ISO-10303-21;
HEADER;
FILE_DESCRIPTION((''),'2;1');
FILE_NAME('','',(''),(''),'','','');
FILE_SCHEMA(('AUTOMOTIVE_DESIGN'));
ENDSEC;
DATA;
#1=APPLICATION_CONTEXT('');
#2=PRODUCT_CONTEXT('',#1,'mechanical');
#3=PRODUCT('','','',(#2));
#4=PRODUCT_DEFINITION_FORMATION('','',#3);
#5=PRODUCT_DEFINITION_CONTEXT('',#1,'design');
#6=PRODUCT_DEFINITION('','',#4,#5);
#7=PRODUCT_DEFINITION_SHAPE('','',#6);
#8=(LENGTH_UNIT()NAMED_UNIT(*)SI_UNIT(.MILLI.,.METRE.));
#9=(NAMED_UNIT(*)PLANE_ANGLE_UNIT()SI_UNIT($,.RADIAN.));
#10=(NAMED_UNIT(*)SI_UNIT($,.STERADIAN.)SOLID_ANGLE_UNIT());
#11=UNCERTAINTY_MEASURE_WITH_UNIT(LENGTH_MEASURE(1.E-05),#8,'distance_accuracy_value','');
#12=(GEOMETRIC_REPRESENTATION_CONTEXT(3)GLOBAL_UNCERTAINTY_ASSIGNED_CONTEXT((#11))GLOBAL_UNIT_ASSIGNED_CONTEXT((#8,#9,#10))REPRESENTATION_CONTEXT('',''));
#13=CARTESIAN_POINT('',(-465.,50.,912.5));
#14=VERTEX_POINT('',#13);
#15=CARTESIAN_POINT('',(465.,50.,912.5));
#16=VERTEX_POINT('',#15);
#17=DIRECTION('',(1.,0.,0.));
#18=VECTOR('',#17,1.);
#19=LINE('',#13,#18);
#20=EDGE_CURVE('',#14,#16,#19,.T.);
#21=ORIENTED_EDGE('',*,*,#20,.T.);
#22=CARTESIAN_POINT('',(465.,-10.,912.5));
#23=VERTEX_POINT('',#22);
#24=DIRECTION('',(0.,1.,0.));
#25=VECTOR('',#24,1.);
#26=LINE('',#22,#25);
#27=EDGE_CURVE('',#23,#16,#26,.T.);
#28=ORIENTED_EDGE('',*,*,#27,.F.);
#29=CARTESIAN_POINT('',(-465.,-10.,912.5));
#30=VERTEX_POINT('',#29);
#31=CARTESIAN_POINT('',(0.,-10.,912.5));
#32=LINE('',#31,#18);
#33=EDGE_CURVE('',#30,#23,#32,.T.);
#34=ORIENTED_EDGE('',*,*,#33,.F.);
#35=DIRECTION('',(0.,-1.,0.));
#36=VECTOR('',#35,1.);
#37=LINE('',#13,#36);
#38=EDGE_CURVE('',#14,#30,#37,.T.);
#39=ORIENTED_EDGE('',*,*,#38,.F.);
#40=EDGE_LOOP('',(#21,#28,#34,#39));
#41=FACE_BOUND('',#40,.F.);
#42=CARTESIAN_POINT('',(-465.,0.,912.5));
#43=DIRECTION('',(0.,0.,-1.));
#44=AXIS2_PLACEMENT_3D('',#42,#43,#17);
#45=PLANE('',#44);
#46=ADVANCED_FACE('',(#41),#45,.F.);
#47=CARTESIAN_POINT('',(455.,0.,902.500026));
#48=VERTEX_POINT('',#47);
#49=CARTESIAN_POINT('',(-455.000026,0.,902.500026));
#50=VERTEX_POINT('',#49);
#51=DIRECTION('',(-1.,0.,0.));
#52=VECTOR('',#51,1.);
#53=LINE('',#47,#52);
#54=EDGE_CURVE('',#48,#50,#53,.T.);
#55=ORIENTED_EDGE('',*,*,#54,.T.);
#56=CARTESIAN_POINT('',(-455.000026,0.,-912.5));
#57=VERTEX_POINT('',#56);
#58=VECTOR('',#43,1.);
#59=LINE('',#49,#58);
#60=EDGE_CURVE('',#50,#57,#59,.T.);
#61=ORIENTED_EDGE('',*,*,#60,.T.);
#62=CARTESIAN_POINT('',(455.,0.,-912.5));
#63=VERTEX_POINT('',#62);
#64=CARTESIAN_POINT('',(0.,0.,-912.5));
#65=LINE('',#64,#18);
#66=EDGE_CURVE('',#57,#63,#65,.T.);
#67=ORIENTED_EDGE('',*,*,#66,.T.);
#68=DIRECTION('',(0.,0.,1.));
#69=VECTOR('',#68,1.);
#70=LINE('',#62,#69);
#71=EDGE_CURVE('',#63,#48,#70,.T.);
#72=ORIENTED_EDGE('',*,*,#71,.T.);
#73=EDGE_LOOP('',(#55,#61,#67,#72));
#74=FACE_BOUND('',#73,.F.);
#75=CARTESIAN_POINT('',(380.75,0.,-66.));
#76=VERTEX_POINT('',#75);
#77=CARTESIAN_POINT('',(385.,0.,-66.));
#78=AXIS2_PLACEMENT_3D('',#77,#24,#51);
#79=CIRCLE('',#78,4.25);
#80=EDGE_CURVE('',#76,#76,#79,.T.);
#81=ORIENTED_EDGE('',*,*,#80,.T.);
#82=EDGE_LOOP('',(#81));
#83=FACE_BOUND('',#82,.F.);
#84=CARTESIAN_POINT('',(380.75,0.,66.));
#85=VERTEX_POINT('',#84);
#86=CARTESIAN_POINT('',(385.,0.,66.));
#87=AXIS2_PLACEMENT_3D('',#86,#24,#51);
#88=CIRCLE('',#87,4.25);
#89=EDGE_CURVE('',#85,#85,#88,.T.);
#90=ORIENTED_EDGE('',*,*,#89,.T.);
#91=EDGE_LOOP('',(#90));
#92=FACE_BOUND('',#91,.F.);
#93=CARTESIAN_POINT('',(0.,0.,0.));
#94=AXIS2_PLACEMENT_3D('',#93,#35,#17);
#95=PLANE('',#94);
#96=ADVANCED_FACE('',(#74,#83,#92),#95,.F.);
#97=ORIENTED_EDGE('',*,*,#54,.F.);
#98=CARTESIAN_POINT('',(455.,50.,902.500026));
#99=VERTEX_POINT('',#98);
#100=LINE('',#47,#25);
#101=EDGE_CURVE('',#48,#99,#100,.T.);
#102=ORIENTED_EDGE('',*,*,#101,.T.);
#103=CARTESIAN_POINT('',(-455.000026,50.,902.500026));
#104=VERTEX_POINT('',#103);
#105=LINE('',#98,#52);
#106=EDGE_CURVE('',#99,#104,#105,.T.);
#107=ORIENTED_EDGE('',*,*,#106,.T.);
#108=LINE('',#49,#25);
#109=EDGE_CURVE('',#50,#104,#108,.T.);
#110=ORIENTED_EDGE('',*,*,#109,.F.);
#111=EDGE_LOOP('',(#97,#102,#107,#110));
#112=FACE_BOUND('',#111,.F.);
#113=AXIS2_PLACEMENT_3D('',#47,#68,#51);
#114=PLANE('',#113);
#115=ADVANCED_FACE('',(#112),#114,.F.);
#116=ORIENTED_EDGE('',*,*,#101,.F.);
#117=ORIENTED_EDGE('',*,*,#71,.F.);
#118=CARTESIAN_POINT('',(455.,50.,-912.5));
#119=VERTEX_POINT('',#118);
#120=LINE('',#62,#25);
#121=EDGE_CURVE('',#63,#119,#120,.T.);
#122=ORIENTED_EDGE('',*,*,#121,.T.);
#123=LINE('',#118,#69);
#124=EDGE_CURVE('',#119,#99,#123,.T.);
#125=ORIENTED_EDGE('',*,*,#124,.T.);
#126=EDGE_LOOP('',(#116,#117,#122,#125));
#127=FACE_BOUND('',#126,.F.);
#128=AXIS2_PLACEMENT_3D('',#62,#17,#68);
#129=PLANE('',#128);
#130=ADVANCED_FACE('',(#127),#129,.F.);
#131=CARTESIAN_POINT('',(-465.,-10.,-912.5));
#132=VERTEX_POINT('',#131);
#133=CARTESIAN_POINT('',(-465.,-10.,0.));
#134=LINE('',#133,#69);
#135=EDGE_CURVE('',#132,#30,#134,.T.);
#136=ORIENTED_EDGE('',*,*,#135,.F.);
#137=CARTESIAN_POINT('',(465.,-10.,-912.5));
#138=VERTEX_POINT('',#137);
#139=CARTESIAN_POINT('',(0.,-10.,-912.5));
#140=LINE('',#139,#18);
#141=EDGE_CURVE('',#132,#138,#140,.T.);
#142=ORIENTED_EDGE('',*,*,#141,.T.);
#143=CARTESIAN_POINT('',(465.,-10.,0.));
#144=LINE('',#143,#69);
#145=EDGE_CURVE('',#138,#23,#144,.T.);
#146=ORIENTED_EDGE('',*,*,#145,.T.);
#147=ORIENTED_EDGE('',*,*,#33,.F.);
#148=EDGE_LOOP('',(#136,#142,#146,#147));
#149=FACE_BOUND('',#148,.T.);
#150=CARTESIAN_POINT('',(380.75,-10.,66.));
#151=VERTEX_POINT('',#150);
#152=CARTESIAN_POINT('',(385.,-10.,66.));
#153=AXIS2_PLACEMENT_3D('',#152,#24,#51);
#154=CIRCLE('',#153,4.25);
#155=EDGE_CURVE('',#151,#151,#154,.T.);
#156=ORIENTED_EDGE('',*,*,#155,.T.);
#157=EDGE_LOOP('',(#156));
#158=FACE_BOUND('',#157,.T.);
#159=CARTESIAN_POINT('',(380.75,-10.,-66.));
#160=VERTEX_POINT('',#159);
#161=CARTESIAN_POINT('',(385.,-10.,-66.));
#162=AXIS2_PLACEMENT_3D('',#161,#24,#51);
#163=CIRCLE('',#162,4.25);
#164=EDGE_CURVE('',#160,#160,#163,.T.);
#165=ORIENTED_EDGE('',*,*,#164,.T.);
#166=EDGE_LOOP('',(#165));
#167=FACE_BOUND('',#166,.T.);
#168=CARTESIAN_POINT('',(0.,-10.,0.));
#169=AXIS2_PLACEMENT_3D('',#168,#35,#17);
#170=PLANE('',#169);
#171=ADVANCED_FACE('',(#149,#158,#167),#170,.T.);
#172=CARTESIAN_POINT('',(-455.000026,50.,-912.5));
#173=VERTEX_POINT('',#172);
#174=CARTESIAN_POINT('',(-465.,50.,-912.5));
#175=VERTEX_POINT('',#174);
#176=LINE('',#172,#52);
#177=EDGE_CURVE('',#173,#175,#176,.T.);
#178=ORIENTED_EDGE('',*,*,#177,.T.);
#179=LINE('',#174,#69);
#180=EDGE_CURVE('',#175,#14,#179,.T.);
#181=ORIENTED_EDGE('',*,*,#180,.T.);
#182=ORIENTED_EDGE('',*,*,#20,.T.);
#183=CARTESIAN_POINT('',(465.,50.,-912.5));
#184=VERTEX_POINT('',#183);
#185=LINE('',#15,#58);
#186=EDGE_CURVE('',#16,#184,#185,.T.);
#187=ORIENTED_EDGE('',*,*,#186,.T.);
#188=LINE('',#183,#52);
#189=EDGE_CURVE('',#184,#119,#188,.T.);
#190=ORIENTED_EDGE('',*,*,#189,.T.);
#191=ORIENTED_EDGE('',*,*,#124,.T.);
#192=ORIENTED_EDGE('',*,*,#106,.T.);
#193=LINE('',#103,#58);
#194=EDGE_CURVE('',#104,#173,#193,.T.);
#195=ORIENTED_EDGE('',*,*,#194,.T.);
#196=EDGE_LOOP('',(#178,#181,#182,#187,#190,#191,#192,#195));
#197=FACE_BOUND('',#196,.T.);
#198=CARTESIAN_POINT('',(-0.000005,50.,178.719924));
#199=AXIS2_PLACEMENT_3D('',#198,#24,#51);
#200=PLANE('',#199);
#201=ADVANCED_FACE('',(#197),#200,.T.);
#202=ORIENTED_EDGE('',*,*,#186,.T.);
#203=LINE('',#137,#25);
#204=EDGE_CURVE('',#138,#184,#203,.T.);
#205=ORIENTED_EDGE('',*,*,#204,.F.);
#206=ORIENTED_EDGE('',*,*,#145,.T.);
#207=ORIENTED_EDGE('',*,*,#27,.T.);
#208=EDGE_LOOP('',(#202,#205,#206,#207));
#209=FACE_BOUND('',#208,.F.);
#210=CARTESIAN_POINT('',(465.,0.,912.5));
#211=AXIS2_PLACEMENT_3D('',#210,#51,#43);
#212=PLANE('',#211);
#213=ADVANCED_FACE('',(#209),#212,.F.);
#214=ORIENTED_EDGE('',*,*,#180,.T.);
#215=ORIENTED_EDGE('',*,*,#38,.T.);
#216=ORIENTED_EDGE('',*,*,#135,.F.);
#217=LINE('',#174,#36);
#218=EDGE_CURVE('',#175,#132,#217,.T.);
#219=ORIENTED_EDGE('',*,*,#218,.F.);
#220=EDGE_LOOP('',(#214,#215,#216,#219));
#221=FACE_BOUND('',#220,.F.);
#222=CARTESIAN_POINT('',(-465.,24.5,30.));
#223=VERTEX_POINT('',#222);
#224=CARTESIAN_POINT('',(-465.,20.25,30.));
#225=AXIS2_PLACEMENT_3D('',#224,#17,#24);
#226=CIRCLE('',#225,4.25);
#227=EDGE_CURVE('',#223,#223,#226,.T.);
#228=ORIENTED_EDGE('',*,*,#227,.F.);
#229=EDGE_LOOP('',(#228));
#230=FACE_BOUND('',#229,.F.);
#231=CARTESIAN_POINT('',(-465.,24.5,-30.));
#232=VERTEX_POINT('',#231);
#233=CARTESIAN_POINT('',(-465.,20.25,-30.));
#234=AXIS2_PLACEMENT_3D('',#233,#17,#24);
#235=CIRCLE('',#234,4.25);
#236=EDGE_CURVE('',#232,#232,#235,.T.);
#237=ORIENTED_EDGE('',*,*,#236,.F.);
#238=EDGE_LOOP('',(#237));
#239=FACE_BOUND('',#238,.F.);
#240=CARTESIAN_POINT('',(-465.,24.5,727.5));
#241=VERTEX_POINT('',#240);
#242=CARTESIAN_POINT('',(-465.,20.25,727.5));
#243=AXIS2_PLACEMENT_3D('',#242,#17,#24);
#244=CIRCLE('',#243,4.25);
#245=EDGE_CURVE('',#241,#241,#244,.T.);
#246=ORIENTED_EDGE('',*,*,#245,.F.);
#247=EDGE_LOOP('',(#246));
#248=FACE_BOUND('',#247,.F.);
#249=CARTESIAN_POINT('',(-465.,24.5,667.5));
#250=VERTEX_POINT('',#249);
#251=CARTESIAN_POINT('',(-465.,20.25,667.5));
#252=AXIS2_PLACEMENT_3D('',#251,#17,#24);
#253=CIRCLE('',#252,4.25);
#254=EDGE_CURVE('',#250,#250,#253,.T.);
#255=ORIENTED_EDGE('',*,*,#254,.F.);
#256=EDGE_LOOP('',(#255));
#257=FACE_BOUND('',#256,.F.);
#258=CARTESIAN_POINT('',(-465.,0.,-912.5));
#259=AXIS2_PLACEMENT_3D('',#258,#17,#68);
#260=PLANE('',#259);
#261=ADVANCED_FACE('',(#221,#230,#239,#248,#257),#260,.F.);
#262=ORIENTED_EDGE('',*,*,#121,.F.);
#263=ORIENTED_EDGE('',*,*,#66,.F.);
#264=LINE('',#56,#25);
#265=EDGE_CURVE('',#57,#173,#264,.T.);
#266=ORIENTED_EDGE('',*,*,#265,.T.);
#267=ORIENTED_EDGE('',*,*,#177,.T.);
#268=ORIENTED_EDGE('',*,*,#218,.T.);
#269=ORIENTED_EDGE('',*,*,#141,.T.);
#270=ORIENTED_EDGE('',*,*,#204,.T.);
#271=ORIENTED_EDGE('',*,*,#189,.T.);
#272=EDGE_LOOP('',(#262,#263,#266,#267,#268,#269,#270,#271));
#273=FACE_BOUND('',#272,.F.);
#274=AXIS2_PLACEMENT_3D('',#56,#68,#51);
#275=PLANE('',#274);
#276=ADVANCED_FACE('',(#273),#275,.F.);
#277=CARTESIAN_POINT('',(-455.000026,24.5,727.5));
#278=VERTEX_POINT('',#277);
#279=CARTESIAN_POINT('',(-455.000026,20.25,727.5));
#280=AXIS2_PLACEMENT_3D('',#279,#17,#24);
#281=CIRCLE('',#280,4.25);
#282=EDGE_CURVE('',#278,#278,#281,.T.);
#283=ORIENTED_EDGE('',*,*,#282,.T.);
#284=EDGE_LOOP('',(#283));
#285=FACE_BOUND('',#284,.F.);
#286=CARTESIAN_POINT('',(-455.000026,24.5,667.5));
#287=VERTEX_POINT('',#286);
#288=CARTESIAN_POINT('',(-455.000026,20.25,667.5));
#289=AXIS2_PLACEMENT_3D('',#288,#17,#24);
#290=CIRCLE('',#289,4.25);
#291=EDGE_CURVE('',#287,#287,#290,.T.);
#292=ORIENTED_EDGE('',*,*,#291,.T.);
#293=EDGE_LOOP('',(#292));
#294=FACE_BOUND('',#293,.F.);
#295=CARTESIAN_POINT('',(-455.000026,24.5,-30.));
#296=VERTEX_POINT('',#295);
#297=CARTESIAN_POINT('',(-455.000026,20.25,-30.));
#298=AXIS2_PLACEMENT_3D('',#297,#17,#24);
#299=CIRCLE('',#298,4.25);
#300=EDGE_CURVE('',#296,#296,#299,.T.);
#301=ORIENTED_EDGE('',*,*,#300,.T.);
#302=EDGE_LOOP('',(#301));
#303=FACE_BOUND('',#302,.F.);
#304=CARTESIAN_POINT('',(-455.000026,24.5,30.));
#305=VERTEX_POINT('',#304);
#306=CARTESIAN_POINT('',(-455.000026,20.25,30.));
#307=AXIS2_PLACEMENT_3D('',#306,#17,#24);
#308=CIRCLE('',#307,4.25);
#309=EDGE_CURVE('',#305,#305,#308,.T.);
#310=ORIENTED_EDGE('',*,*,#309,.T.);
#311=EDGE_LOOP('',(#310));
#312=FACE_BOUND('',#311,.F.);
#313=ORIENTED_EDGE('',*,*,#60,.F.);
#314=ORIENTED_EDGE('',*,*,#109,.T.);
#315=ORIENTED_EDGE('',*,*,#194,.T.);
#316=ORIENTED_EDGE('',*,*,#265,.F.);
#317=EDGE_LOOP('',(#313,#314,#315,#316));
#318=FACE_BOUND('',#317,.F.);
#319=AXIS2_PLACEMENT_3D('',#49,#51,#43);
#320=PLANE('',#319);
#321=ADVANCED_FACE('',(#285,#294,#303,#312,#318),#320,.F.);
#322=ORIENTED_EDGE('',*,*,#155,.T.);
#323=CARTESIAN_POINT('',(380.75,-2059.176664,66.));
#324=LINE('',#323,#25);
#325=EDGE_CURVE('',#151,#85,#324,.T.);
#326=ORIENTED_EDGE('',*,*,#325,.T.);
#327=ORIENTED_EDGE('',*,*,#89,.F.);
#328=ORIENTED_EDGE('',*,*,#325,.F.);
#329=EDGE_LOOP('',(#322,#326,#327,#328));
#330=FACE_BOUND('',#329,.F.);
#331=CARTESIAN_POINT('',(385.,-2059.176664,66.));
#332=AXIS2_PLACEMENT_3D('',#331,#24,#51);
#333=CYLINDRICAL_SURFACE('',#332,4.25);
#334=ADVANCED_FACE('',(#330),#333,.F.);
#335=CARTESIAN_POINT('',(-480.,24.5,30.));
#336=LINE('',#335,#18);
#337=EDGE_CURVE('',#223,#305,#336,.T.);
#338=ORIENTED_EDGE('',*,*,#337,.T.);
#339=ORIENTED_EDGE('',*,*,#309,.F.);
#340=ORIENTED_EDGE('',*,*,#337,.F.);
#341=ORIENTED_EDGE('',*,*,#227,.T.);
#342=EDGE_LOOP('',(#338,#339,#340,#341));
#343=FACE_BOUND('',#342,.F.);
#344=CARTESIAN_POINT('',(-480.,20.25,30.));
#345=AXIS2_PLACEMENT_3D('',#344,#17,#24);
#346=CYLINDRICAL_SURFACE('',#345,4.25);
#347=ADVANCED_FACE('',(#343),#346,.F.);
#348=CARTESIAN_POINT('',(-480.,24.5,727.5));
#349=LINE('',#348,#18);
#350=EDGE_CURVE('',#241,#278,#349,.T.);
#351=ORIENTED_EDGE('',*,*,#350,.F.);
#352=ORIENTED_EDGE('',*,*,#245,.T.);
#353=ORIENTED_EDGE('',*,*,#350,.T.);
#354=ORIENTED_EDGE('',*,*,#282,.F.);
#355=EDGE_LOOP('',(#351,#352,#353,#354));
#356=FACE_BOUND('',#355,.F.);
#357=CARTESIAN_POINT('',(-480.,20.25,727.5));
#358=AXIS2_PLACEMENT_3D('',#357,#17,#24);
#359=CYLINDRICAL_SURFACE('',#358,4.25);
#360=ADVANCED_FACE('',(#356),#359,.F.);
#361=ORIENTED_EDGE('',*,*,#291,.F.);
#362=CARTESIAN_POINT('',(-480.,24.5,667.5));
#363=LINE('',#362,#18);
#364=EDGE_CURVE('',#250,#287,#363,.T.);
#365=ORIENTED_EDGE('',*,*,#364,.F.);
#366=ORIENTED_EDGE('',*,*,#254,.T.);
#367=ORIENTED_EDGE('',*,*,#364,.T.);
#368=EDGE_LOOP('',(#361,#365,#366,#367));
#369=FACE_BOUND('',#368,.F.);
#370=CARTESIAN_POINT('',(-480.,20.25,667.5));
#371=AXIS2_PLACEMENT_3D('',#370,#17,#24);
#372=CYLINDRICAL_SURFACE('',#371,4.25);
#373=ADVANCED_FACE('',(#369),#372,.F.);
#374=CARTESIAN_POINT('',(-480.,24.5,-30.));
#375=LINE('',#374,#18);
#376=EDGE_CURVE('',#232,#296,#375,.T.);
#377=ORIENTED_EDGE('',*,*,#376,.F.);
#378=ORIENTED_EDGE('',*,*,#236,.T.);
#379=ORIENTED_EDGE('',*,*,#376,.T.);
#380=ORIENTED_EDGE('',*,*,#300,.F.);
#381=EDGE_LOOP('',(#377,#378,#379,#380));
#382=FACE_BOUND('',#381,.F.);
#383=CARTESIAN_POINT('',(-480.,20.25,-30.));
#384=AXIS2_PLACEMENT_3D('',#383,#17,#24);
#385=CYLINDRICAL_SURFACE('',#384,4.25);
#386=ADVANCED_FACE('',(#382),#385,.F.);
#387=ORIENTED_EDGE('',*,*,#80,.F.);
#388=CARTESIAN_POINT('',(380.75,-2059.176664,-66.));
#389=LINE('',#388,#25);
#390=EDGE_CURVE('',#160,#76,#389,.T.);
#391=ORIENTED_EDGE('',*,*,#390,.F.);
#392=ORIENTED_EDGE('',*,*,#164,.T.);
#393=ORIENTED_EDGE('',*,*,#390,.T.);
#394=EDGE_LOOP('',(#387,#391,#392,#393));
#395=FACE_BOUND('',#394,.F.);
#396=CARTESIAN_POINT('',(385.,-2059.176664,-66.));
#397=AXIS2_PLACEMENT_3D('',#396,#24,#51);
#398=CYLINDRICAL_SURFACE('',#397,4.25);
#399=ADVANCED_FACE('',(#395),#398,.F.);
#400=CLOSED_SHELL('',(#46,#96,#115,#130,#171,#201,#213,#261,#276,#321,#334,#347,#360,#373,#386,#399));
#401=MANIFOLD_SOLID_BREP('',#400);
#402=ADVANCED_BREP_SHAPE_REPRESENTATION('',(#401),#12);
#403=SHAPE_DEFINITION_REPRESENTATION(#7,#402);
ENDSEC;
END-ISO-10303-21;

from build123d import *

# Parameters (mm, degrees)
F0_W     = 930
F0_H     = 1825
F1_DEPTH = 10
F3_DEPTH = 50
F5_D     = 8.5
F7_D     = 8.5
F7_DEPTH = 15


with BuildPart() as f1:
    # F0 (on Front) → F1 (new body)
    with BuildSketch(Plane.XZ):
        Rectangle(F0_W, F0_H)
    extrude(amount=F1_DEPTH)

    # F2 (on face) → F3 (join)
    with BuildSketch(Plane(origin=(0, 0, 0), x_dir=(-1, 0, 0), z_dir=(0, 1, 0))):
        Polygon((465, 912.5), (-465, 912.5), (-465, -912.5), (-455, -912.5), (-455, 902.500026), (455.000026, 902.500026), (455.000026, -912.5), (465, -912.5), align=None)
    extrude(amount=F3_DEPTH)

    # F5 (through all)
    with Locations(Plane.XZ.offset(10)):
        with Locations((385, 66), (385, -66)):
            Hole(F5_D / 2)

    # F7
    with Locations(Plane(origin=(-465, 0, 0), x_dir=(0, -1, 0), z_dir=(-1, 0, 0))):
        with Locations((-20.25, 727.5), (-20.25, 667.5), (-20.25, 1157.5), (-20.25, 1097.5), (-20.25, 30), (-20.25, -30)):
            Hole(F7_D / 2, depth=F7_DEPTH)


solid = f1.part
